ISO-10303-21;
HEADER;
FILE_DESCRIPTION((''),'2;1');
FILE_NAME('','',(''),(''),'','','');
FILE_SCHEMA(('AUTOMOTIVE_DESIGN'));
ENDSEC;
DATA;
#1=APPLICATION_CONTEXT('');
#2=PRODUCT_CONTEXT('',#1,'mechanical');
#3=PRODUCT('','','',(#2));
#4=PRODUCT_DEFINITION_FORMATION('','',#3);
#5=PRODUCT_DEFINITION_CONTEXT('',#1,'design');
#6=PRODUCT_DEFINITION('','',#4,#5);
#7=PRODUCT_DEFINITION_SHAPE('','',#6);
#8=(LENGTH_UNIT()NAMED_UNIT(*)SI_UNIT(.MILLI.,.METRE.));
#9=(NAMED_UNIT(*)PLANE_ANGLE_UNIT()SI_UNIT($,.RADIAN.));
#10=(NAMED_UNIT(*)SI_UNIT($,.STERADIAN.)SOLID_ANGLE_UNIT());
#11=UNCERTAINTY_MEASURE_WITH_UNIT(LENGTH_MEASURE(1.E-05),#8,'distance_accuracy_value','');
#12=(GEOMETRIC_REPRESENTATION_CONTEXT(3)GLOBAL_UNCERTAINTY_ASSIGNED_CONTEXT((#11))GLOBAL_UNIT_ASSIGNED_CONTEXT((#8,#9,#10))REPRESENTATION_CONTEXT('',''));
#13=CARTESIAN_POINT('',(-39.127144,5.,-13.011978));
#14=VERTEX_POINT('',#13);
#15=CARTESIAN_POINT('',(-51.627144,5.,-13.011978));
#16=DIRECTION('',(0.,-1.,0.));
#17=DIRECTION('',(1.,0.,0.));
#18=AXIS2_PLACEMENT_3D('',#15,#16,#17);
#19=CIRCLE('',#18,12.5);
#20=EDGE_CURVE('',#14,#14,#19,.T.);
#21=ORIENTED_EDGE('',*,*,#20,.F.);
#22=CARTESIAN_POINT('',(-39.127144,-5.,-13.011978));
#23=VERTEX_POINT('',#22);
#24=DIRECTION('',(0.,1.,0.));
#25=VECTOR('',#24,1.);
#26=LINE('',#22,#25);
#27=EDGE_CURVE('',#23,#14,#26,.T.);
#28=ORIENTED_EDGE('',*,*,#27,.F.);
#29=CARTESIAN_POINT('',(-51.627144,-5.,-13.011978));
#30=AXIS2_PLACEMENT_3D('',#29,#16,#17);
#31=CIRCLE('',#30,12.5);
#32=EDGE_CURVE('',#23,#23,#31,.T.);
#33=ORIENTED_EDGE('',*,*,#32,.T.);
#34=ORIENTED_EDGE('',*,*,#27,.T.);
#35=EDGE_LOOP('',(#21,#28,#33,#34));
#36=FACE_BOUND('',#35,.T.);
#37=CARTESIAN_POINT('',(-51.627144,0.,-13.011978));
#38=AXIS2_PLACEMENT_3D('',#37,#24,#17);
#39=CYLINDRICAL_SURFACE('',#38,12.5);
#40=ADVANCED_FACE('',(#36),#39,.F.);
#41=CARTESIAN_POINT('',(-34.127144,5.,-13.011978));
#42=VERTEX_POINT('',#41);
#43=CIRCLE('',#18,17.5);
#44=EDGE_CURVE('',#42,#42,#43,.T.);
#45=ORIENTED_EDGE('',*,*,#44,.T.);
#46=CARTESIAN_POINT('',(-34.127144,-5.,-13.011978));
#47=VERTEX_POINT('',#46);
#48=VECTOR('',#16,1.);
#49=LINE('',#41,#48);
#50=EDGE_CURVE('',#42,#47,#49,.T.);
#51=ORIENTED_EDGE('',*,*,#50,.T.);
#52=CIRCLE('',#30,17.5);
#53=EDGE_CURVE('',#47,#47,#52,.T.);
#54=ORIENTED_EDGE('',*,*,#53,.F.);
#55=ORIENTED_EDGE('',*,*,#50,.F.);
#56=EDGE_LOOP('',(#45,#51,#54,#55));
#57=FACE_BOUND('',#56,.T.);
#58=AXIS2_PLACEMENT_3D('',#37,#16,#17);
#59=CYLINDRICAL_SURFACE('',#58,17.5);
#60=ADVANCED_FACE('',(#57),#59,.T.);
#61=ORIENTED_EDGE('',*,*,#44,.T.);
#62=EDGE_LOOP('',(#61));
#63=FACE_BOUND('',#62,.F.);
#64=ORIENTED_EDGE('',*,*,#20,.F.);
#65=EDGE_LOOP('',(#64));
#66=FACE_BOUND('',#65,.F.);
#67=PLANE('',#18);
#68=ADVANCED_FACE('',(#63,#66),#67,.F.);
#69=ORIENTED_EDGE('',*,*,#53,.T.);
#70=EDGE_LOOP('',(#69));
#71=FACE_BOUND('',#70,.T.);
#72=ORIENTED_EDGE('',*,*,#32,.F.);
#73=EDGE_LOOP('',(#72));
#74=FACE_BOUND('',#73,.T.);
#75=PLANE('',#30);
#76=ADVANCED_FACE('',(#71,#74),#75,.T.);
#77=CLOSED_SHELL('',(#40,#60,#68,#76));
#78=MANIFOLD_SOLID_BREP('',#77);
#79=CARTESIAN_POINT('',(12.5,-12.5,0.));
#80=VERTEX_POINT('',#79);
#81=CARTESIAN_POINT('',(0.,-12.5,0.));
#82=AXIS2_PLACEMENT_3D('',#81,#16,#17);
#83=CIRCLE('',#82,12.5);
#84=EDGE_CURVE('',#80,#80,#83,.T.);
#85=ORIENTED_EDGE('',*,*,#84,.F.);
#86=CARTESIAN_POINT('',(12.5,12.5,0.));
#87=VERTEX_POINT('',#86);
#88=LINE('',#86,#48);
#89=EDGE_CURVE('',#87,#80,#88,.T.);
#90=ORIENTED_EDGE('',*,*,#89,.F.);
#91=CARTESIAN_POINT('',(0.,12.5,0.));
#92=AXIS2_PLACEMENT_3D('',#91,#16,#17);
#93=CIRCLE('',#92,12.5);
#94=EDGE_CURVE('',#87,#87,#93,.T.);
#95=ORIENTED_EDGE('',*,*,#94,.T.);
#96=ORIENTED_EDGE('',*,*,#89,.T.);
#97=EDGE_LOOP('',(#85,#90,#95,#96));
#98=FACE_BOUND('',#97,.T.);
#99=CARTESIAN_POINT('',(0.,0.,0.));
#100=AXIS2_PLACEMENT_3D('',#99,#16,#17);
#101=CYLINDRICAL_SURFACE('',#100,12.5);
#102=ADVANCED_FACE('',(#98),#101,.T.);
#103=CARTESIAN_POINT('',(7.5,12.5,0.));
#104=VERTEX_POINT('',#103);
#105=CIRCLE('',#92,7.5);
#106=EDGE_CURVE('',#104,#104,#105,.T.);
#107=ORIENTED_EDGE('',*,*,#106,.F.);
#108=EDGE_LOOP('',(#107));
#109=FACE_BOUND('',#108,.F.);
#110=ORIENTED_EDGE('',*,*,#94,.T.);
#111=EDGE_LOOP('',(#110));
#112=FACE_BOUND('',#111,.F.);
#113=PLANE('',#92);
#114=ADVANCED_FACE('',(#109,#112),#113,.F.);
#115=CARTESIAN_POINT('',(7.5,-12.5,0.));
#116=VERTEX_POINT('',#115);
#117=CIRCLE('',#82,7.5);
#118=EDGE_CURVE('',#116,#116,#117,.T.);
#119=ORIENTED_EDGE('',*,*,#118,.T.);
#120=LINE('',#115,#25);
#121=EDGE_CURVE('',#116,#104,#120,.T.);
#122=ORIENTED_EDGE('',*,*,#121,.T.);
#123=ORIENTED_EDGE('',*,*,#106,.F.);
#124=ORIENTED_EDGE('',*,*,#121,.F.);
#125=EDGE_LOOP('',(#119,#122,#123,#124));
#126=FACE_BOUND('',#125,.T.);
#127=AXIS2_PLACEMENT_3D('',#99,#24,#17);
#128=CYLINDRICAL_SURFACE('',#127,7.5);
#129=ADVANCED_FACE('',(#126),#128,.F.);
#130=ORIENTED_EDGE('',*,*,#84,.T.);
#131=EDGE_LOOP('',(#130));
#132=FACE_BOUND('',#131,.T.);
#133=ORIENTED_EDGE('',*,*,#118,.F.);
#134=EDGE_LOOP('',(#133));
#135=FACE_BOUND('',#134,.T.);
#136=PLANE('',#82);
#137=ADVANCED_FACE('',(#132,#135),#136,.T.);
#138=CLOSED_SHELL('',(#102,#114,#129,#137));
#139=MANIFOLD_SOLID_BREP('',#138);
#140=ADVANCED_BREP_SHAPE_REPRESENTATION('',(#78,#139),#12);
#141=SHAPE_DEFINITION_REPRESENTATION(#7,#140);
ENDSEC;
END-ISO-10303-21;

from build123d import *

# Parameters (mm, degrees)
F0_R     = 12.5
F0_R_2   = 7.5
F1_DEPTH = 12.5
F2_R     = 17.5
F2_R_2   = 12.5
F3_DEPTH = 5


with BuildPart() as f1:
    # F0 (on Front) → F1 (new body, symmetric)
    with BuildSketch(Plane.XZ):
        Circle(F0_R)
        Circle(F0_R_2, mode=Mode.SUBTRACT)
    extrude(amount=F1_DEPTH, both=True)


with BuildPart() as f3:
    # F2 (on Front) → F3 (new body, symmetric)
    with BuildSketch(Plane.XZ):
        with Locations((-51.627144, -13.011978)):
            Circle(F2_R)
        with Locations((-51.627144, -13.011978)):
            Circle(F2_R_2, mode=Mode.SUBTRACT)
    extrude(amount=F3_DEPTH, both=True)


solid = Compound([f1.part, f3.part])
